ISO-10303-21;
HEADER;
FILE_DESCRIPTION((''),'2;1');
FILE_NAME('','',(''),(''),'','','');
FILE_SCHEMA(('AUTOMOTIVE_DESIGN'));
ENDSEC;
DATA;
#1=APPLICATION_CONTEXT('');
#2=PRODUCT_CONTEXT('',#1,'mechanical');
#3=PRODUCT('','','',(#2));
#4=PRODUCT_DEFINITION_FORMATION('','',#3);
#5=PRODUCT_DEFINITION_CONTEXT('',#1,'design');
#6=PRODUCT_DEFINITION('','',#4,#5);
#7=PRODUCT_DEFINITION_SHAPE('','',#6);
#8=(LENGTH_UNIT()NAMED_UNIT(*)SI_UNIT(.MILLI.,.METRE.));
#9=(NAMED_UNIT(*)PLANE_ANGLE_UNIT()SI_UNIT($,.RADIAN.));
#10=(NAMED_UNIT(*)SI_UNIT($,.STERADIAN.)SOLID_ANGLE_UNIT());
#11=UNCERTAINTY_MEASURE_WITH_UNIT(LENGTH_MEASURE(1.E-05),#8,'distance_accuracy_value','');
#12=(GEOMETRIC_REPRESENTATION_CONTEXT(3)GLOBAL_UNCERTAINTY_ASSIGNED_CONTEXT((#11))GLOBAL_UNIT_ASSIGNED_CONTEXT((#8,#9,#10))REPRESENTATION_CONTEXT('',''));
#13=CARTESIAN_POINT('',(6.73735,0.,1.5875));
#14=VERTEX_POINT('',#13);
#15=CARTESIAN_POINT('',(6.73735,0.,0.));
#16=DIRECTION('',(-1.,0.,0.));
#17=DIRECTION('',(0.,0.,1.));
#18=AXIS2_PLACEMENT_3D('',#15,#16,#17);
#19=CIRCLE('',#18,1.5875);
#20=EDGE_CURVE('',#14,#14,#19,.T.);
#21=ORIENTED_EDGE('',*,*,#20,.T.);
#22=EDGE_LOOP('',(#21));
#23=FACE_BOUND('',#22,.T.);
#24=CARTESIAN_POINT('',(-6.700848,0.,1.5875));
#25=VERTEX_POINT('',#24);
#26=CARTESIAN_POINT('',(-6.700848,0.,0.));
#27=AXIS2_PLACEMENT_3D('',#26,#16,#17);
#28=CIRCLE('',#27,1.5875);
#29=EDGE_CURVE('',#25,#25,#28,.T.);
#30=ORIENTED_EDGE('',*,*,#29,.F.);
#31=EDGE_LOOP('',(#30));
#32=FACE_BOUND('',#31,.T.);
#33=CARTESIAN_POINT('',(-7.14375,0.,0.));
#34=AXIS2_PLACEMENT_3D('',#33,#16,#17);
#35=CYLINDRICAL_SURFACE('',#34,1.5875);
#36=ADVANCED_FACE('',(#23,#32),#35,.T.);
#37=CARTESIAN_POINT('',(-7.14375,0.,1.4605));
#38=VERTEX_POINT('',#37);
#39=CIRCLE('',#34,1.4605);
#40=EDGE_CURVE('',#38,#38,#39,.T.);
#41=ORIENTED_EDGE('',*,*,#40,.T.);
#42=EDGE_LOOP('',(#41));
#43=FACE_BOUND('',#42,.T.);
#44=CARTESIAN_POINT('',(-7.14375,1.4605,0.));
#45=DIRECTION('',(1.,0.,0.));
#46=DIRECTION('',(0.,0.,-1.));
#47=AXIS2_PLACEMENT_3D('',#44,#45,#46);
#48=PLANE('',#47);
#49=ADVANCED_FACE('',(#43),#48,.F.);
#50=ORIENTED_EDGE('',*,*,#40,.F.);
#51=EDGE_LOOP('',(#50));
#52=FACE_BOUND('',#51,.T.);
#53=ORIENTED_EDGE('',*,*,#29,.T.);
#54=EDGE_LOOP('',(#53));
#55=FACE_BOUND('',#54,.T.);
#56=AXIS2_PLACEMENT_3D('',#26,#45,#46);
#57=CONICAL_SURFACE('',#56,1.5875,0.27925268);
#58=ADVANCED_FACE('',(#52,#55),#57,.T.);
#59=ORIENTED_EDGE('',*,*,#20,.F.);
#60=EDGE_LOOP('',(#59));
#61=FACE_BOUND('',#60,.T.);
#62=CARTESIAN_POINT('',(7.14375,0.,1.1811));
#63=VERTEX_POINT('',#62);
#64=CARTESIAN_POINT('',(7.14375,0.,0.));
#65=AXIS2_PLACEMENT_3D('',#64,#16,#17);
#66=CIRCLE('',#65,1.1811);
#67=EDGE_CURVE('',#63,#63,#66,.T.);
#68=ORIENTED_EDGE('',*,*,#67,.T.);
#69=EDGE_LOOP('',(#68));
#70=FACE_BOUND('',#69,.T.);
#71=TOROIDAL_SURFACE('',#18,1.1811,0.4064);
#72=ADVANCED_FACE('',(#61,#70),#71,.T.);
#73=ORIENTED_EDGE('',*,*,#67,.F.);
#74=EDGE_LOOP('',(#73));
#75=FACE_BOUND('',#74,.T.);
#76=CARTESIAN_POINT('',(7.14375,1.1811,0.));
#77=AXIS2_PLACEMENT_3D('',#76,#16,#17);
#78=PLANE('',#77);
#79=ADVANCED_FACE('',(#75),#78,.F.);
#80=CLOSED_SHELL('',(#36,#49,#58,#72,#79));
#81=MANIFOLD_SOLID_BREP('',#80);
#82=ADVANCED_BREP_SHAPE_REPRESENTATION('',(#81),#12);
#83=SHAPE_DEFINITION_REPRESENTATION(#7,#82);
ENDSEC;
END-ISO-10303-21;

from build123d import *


with BuildPart() as part:
    # Sketch3 → Revolve1 (revolve)
    with BuildSketch(Plane.XY, mode=Mode.PRIVATE) as revolve1_sk:
        with BuildLine():
            Line((7.14375, 1.1811), (7.14375, 0))
            Line((7.14375, 0), (-7.14375, 0))
            Line((-7.14375, 0), (-7.14375, 1.4605))
            Line((-7.14375, 1.4605), (-6.700848366, 1.5875))
            Line((-6.700848366, 1.5875), (6.73735, 1.5875))
            ThreePointArc((6.73735, 1.5875), (7.024718196, 1.468468196), (7.14375, 1.1811))
        make_face()
    revolve(revolve1_sk.sketch.rotate(Axis((-7.14375, 0, 0), (1, 0, 0)), 90), axis=Axis((-7.14375, 0, 0), (1, 0, 0)))


solid = part.part
